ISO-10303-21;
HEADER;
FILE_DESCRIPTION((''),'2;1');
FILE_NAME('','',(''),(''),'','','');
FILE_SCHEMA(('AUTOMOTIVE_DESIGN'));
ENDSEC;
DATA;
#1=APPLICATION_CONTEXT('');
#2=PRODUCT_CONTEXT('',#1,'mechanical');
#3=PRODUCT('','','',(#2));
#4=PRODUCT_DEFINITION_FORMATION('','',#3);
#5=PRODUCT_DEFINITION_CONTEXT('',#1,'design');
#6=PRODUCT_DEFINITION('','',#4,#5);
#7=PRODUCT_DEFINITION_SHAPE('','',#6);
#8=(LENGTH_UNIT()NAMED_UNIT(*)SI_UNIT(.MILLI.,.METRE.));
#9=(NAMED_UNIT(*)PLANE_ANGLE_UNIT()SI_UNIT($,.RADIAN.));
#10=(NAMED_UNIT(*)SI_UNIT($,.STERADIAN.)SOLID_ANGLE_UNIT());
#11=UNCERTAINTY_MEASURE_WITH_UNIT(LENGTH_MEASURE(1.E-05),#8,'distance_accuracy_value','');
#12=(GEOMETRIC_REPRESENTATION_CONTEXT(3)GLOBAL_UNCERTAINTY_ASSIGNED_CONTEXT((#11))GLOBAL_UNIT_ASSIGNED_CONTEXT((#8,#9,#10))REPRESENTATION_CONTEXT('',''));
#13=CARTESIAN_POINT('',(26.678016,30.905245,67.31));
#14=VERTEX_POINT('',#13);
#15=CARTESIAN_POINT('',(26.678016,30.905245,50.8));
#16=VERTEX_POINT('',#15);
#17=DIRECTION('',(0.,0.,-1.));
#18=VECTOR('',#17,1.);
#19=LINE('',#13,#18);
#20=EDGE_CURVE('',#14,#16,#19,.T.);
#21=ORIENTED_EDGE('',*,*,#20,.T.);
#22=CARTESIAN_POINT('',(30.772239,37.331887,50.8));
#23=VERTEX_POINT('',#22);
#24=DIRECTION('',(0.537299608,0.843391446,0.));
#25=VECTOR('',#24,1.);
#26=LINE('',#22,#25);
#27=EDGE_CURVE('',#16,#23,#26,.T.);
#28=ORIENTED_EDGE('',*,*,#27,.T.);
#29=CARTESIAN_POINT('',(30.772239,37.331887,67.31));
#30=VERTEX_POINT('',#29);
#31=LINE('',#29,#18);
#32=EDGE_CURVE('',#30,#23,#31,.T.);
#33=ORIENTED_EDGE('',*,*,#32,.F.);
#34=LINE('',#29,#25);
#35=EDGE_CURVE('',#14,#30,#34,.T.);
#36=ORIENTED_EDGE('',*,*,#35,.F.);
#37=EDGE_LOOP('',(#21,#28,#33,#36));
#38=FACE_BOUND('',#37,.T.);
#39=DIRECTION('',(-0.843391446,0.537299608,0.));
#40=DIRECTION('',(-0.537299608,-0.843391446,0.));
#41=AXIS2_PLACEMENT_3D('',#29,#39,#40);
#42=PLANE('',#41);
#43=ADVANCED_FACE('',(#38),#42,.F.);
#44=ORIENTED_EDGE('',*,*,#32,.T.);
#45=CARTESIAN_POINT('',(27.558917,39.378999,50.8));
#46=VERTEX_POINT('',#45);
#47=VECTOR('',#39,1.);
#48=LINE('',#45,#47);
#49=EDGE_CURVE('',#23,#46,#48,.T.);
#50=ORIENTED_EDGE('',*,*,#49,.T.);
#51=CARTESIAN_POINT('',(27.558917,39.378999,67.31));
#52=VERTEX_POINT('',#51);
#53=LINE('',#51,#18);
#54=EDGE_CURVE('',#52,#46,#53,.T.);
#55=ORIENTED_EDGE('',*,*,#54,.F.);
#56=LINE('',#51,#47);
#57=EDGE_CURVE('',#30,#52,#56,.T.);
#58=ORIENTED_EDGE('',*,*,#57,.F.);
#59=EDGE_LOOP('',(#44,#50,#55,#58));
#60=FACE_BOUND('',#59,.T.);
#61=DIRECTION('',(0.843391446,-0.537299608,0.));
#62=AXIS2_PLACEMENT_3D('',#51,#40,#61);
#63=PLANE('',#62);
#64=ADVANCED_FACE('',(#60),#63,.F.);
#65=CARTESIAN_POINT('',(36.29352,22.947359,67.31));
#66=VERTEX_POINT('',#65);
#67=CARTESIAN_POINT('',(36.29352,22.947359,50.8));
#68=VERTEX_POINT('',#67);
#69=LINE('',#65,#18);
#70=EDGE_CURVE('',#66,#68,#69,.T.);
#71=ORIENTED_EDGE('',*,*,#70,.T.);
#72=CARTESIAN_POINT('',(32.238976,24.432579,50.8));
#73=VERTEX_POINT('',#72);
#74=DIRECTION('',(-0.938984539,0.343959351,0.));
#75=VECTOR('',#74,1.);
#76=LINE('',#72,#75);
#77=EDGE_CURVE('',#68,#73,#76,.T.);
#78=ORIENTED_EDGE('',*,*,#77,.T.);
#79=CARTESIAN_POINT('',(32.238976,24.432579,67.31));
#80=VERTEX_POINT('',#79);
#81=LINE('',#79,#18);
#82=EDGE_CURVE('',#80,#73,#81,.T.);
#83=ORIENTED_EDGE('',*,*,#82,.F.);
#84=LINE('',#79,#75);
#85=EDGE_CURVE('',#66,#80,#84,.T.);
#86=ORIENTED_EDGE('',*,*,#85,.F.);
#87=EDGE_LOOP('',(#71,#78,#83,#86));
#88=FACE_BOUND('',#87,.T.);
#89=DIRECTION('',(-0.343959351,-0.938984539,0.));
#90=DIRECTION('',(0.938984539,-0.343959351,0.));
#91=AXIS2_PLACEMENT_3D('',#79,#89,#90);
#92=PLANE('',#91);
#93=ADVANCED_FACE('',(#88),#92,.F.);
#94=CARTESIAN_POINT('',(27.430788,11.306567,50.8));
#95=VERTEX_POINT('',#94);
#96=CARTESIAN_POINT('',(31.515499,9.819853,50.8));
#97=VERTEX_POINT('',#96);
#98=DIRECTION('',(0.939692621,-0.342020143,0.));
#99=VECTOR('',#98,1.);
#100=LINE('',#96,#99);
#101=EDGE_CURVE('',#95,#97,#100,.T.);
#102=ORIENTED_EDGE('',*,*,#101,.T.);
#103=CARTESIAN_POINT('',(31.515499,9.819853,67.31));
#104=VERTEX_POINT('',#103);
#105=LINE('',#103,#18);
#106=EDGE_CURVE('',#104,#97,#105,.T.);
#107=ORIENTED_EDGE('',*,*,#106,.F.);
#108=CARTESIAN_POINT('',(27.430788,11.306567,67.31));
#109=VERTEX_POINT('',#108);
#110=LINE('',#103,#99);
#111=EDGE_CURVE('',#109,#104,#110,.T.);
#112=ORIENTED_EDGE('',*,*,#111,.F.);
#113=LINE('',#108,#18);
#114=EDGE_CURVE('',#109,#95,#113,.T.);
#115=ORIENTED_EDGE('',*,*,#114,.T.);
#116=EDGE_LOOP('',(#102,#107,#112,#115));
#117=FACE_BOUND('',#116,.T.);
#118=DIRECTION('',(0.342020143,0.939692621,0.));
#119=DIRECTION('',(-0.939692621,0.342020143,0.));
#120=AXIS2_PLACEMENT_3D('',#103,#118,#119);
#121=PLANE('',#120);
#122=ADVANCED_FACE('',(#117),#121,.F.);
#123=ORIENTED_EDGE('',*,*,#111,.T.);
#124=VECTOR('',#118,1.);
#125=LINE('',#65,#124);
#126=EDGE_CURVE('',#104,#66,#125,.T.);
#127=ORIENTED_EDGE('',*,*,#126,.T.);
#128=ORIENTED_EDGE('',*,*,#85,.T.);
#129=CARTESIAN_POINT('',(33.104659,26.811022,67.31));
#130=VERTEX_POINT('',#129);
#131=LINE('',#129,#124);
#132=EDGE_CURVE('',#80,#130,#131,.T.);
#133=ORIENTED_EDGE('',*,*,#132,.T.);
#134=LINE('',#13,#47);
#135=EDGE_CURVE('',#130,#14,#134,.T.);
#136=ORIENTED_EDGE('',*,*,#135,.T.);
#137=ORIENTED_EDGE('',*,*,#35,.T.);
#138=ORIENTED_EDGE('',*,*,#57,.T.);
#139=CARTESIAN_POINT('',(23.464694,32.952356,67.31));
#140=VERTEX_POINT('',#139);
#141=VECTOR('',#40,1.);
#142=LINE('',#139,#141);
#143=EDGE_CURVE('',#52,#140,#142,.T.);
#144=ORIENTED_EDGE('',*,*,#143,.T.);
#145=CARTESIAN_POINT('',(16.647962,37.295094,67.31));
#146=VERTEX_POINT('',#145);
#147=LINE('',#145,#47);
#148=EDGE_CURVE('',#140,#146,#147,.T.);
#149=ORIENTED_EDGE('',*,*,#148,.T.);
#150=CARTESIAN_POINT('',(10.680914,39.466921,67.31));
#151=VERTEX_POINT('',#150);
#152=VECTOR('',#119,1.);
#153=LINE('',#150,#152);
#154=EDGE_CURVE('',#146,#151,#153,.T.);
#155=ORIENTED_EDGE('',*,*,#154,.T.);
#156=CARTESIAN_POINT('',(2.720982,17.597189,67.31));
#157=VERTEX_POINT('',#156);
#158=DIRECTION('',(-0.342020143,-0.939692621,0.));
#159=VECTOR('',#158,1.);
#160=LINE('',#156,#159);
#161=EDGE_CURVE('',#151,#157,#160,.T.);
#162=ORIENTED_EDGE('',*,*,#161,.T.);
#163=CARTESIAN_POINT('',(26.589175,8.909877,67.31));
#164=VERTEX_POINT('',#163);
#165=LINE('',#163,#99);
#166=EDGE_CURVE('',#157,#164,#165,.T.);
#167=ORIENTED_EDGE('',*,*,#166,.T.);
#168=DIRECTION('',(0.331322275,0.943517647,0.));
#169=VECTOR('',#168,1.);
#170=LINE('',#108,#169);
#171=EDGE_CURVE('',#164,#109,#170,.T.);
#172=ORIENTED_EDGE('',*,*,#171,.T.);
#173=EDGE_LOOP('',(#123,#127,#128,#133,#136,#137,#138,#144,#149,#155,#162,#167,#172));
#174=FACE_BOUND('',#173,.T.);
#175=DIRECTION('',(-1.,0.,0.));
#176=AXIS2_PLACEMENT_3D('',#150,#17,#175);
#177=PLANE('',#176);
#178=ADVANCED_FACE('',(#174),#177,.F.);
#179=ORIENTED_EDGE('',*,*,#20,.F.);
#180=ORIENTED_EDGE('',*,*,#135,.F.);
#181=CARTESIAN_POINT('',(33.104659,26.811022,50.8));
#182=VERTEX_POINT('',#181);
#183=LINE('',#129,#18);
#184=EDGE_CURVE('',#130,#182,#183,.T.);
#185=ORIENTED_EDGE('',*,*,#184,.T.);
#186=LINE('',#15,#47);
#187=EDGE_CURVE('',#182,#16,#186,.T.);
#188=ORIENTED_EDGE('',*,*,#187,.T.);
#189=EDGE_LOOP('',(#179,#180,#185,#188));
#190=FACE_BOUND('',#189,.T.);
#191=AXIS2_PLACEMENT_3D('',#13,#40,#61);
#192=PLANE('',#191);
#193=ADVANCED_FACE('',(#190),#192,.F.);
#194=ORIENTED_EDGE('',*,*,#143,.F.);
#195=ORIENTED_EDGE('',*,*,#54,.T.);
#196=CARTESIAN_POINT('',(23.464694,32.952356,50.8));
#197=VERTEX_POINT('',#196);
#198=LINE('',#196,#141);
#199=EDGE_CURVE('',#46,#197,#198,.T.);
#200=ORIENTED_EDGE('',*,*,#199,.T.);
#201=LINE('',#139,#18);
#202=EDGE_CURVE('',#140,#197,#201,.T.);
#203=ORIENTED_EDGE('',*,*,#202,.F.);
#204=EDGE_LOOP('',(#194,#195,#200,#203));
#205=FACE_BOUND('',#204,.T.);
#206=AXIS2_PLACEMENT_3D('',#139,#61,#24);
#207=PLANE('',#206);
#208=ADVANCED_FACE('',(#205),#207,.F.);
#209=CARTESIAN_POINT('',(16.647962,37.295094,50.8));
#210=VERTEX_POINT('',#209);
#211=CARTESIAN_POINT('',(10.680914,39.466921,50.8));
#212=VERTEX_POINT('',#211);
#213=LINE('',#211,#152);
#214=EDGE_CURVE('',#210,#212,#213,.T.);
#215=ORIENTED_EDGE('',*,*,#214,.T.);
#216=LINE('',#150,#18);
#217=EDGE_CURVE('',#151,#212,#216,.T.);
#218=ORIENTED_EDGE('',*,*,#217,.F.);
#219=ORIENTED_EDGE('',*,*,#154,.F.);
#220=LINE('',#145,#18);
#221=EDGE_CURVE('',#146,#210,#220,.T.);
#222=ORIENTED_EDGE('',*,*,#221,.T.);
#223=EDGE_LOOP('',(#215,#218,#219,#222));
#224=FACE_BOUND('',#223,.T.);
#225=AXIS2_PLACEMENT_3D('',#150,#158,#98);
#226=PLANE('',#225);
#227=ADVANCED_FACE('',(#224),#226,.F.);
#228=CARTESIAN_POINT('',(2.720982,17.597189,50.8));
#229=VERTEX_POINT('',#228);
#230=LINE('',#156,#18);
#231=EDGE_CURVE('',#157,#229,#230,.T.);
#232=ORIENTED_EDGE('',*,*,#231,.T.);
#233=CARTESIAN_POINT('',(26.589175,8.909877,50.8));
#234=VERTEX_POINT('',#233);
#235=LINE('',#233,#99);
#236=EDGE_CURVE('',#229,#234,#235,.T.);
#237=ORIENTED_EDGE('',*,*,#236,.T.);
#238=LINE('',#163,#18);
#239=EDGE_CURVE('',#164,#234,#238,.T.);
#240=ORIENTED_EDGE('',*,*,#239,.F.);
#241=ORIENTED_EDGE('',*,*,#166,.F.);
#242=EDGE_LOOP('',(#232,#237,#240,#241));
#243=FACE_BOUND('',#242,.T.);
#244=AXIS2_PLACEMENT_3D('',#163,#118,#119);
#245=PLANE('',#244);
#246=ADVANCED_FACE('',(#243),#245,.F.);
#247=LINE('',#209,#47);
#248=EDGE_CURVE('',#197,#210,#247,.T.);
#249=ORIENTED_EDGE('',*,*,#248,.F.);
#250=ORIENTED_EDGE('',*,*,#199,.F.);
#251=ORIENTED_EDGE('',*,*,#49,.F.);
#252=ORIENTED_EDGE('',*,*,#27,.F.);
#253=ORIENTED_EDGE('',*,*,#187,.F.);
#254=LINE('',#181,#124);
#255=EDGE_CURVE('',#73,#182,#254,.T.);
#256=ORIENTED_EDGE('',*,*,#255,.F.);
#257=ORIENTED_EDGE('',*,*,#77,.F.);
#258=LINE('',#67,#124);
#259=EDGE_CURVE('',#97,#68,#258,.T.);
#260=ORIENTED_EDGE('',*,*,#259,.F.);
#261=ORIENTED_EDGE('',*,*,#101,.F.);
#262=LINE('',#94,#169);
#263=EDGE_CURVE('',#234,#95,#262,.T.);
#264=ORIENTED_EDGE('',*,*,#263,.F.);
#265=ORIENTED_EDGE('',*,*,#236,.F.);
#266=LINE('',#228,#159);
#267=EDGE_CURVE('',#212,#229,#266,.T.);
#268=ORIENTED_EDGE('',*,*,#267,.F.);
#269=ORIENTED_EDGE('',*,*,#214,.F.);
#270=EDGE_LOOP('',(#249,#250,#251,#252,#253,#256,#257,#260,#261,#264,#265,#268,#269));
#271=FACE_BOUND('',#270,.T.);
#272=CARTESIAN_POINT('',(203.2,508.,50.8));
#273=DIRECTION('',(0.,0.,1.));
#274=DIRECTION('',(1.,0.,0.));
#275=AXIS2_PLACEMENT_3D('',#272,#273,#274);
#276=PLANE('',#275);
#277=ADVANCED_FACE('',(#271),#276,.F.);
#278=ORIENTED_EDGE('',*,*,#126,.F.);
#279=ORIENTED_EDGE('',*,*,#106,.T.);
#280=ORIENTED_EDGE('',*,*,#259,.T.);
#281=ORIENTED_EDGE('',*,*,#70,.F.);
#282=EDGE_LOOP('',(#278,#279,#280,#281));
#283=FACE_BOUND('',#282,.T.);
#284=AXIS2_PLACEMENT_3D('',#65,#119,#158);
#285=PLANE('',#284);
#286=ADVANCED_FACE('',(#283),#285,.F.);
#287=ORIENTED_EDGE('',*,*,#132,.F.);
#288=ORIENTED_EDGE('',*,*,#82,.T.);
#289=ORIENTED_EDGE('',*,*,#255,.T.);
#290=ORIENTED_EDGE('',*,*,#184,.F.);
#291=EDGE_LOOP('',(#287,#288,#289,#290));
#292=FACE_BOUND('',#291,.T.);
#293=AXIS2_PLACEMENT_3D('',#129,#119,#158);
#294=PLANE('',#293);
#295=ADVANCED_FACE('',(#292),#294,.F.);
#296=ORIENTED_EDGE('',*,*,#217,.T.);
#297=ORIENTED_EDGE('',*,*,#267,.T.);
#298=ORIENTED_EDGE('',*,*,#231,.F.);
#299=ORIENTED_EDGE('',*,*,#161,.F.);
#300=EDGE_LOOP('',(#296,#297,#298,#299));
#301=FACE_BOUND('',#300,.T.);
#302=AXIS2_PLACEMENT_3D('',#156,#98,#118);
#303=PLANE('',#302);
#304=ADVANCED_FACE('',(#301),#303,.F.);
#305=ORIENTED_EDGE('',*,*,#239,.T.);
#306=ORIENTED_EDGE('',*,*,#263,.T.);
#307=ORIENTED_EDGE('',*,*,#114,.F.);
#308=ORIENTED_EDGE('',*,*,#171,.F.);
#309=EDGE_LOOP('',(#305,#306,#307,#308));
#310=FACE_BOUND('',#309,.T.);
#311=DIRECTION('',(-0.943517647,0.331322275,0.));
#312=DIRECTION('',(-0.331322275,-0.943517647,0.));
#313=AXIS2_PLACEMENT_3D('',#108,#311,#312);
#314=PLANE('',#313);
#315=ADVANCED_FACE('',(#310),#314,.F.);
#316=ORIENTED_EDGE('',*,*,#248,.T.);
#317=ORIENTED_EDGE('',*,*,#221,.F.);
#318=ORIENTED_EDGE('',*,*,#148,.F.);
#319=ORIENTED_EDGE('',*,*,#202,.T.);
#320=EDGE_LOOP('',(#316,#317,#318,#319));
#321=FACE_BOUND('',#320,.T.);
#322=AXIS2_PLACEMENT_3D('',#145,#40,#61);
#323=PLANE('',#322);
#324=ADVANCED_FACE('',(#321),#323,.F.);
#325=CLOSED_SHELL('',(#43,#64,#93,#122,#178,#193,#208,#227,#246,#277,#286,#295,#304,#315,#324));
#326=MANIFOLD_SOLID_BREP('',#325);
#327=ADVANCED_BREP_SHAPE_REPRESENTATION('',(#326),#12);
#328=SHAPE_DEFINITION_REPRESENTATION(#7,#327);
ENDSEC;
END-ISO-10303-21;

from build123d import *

# Parameters (mm, degrees)
SKETCH1_W      = 203.2
SKETCH1_H      = 101.6
EXTRUDE1_DEPTH = 50.8
EXTRUDE2_DEPTH = 16.51
SKETCH23_W     = 203.2
SKETCH23_H     = 50.8
EXTRUDE3_DEPTH = 508


with BuildPart() as part:
    # Sketch1 → Extrude1 (new body)
    with BuildSketch(Plane.XY):
        with Locations((101.6, 50.8)):
            Rectangle(SKETCH1_W, SKETCH1_H)
    extrude(amount=EXTRUDE1_DEPTH)

    # Sketch21 → Extrude2 (add)
    with BuildSketch(Plane.XY.offset(50.8)):
        Polygon((10.680914086, 39.466921448), (16.647962228, 37.295093538), (23.464694461, 32.952356157), (27.558917476, 39.378998974), (30.772238885, 37.331887466), (26.678015869, 30.905244649), (33.104658686, 26.811021633), (32.238976379, 24.432579042), (36.293520259, 22.947359397), (31.515498857, 9.819853485), (27.43078785, 11.306566707), (26.589174956, 8.909877207), (2.720982388, 17.597188848), align=None)
    extrude(amount=EXTRUDE2_DEPTH)

    # Sketch23 → Extrude3 (cut)
    with BuildSketch(Plane.XZ):
        with Locations((101.6, 25.4)):
            Rectangle(SKETCH23_W, SKETCH23_H)
    extrude(amount=-EXTRUDE3_DEPTH, mode=Mode.SUBTRACT)


solid = part.part
